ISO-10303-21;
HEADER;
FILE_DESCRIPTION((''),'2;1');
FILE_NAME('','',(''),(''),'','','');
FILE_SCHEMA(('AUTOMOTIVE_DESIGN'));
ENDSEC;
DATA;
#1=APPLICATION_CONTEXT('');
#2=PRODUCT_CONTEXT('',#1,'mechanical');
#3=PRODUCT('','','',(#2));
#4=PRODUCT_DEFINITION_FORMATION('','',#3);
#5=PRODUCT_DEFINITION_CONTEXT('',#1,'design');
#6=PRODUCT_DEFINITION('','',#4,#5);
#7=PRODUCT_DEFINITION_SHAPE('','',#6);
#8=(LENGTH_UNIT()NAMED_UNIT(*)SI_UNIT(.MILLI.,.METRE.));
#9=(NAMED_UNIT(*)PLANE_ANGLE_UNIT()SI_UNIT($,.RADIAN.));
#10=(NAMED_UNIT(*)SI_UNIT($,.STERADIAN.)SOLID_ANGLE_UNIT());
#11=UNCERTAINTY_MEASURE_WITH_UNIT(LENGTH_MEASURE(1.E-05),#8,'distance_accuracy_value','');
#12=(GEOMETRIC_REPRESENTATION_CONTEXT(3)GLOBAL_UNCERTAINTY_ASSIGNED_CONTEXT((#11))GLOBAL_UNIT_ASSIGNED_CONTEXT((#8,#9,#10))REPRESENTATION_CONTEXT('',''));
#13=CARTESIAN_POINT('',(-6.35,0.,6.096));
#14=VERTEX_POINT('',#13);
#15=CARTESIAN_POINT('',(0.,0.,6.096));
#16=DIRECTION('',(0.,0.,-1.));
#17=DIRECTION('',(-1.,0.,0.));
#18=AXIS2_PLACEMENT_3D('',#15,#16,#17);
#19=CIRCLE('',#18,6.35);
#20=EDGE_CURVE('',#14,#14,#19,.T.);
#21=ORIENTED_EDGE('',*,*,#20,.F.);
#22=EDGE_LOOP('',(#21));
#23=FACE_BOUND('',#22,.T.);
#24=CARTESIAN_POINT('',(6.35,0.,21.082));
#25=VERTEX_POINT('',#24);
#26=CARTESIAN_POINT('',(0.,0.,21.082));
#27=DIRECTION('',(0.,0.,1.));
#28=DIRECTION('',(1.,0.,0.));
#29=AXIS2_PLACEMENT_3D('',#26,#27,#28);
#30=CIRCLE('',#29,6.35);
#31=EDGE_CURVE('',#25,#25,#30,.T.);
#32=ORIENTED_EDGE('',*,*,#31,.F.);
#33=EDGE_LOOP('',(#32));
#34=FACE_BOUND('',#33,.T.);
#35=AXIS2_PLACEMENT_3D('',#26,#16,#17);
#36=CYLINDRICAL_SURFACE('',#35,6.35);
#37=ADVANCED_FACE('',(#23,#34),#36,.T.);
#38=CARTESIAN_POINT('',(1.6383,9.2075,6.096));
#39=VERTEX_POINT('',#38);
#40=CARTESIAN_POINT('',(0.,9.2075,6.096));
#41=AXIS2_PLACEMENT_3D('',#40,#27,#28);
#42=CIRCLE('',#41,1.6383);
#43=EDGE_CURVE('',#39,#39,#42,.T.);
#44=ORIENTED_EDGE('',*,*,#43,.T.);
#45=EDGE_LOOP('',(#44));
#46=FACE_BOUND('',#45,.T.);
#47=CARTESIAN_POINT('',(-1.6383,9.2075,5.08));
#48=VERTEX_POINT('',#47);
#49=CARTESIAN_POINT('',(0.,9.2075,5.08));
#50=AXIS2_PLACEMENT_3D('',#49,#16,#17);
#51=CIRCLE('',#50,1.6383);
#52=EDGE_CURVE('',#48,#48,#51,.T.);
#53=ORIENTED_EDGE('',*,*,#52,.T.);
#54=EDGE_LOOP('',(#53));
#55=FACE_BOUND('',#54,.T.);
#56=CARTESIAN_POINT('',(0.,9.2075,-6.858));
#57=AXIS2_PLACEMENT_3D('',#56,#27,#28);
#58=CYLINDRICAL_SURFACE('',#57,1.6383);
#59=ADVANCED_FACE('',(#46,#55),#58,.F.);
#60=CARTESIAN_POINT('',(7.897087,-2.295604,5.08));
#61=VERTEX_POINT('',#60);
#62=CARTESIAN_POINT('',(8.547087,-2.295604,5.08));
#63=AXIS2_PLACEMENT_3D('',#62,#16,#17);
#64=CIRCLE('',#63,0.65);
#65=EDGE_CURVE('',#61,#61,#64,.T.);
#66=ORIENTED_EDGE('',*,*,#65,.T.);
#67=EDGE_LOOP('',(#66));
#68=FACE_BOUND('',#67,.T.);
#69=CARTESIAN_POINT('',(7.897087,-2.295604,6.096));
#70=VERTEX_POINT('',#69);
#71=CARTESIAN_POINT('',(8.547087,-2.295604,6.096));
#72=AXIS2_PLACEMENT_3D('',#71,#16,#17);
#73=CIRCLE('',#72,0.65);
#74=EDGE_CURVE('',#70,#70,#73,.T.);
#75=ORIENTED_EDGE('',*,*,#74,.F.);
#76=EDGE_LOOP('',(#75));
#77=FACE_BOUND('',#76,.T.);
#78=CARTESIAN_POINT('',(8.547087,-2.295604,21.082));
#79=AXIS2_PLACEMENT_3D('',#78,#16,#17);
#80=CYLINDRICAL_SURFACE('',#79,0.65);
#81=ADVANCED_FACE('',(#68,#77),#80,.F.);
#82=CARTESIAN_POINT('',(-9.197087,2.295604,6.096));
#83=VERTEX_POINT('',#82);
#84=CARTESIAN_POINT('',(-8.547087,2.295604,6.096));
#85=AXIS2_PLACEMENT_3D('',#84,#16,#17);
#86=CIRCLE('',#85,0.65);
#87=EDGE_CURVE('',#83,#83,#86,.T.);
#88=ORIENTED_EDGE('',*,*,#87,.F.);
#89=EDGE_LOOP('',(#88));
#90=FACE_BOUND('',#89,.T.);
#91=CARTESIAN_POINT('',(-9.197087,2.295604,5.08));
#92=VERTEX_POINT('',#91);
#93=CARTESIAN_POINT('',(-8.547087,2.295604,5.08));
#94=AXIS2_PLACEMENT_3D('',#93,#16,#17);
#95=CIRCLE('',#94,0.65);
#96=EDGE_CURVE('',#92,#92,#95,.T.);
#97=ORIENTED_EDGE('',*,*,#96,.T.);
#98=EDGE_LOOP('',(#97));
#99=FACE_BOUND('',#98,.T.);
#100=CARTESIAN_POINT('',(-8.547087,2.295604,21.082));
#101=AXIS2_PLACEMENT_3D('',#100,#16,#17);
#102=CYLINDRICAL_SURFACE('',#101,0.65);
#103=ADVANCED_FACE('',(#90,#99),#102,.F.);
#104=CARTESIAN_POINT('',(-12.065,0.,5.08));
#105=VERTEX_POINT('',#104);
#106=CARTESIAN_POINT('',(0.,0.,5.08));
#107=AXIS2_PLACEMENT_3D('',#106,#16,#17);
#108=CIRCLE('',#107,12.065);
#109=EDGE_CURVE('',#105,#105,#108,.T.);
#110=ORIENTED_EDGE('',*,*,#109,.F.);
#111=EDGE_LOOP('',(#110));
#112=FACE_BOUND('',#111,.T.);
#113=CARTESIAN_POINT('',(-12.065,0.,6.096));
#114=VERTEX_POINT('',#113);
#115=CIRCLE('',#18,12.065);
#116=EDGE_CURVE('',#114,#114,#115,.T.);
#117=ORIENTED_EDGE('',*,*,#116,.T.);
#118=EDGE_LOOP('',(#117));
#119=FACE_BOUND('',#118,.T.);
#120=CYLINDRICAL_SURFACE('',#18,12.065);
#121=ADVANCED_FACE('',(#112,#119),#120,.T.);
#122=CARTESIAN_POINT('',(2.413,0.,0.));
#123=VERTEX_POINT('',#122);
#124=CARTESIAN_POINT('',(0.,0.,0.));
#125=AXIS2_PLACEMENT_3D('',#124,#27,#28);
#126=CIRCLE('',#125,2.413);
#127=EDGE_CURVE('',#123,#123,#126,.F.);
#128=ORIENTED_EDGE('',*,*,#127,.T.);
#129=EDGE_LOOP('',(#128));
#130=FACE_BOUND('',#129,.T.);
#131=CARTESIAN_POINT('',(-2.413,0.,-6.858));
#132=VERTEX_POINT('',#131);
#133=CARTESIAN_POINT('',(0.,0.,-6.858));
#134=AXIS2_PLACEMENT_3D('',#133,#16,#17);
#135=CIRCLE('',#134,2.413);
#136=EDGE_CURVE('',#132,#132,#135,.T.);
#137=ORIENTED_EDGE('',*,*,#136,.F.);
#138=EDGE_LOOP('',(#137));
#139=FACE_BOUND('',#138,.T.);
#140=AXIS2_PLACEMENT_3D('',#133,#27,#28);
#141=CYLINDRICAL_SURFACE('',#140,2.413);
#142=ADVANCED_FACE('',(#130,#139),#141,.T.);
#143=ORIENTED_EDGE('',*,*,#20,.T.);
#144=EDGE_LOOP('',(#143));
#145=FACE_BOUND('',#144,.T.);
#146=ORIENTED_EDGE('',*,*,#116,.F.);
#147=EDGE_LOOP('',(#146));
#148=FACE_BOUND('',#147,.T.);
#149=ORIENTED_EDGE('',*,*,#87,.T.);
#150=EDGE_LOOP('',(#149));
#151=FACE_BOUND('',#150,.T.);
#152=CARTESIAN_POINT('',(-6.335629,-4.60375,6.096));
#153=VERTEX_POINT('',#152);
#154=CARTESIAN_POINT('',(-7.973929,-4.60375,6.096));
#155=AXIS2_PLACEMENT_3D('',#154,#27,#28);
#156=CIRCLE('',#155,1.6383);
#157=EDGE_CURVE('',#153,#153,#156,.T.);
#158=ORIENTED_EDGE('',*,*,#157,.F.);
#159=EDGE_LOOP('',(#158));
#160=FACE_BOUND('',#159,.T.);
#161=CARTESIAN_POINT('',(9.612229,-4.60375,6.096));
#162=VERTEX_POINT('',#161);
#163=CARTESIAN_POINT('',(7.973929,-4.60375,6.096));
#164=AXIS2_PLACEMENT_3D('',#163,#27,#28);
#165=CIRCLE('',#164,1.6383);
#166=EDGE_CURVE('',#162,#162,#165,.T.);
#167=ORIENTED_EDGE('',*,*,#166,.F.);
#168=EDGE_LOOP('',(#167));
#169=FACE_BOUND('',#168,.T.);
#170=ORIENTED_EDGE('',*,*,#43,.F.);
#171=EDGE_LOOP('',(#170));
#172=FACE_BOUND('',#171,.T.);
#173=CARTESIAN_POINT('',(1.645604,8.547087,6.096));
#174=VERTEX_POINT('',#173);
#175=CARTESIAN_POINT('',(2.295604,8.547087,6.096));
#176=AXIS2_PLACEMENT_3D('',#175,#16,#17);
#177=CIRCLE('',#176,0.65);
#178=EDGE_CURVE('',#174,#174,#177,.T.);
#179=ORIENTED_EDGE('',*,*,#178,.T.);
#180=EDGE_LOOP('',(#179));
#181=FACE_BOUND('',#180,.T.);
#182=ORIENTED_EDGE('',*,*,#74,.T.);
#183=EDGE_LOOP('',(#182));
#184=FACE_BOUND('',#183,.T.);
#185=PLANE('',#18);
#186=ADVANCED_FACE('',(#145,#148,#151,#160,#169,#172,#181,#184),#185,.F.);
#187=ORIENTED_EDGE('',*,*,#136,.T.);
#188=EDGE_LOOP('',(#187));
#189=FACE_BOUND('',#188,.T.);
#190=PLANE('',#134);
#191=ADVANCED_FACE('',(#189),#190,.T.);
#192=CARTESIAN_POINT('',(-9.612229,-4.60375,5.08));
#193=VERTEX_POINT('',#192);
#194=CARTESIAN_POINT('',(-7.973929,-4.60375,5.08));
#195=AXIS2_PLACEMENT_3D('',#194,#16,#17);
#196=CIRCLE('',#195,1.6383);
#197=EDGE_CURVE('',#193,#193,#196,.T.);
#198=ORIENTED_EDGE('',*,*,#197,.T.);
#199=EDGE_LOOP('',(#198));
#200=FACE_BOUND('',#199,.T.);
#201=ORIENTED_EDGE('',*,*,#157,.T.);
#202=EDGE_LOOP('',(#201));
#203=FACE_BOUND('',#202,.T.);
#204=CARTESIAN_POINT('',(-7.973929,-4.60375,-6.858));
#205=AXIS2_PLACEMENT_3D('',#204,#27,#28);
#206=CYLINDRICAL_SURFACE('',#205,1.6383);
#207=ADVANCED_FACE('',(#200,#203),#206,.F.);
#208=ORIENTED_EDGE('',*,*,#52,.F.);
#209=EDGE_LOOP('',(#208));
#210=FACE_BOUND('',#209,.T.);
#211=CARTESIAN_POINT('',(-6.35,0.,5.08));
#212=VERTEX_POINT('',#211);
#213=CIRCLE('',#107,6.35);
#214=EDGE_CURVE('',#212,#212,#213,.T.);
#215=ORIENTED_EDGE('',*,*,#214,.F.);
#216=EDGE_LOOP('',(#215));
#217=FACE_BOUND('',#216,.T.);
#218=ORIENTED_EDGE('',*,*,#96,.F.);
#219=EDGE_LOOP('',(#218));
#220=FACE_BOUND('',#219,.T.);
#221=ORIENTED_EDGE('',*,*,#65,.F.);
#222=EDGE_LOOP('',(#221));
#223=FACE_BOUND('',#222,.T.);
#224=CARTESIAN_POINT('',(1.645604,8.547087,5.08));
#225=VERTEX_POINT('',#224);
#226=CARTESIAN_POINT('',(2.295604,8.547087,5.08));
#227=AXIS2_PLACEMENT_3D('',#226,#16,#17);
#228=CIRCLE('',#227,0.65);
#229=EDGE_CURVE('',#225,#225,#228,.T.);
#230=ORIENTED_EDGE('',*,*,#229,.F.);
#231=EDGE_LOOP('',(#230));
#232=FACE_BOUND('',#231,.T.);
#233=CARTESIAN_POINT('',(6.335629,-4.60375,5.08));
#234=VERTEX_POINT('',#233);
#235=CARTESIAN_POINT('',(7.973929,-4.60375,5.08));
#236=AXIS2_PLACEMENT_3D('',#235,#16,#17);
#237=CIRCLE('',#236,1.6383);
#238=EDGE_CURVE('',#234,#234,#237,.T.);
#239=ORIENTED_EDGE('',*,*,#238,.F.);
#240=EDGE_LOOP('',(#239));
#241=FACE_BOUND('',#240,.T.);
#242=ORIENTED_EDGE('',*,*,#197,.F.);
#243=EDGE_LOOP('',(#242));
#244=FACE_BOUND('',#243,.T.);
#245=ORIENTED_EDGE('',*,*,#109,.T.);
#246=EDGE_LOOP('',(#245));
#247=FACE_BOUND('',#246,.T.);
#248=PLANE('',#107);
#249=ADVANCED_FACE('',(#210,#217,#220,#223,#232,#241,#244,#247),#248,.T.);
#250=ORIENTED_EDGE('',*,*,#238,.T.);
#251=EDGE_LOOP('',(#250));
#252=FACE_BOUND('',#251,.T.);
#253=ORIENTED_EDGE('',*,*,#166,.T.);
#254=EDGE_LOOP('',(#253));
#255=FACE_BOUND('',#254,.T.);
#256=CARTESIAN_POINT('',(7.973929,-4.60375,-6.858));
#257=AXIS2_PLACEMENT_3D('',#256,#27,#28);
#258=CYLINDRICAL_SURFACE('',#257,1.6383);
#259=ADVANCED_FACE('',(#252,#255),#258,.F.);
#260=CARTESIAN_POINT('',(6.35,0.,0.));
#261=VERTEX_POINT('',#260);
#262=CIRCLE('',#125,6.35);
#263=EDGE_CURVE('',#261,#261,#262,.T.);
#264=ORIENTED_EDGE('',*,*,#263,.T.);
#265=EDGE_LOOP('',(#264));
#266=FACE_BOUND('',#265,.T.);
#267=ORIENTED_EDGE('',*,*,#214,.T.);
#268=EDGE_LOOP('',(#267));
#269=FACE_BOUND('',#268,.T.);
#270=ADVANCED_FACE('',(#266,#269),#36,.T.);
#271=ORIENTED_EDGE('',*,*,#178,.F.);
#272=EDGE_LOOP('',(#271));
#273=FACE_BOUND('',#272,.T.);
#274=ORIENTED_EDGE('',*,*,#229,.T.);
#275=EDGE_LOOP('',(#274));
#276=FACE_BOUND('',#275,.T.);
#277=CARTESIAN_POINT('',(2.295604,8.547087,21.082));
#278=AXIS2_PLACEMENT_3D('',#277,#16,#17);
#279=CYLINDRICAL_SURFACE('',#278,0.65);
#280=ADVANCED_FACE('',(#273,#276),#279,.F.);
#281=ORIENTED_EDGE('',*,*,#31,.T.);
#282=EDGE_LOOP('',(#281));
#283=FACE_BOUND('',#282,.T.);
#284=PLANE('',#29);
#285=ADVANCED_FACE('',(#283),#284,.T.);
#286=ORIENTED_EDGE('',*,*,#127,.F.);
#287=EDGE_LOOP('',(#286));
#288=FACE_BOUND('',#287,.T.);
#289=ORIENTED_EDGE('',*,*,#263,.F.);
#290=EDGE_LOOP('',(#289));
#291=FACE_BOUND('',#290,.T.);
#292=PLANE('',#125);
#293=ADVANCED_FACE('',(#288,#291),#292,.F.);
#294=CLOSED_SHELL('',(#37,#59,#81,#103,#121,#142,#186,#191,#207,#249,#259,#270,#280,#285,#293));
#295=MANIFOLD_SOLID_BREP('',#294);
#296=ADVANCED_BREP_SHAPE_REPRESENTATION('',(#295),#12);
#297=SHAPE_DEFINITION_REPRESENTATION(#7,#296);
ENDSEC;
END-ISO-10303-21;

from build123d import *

# Parameters (mm, degrees)
SKETCH1_R          = 6.35
EXTRUDE1_DEPTH     = 21.082
SKETCH2_R          = 2.413
EXTRUDE2_DEPTH     = 6.858
SKETCH3_R          = 12.065
EXTRUDE3_DEPTH     = 1.016
SKETCH4_R          = 1.6383
CUT_EXTRUDE1_DEPTH = 23.709219405
SKETCH6_R          = 0.65
CUT_EXTRUDE2_DEPTH = 24.392145135


with BuildPart() as part:
    # Sketch1 → Extrude1 (new body)
    with BuildSketch(Plane.XY):
        Circle(SKETCH1_R)
    extrude(amount=EXTRUDE1_DEPTH)

    # Sketch2 → Extrude2 (add)
    with BuildSketch(Plane(origin=(0, 0, 0), x_dir=(-1, 0, 0), z_dir=(0, 0, -1))):
        with Locations(Location((0, 0, 0), (0, 0, 180))):
            Circle(SKETCH2_R)
    extrude(amount=EXTRUDE2_DEPTH)

    # Sketch3 → Extrude3 (add)
    with BuildSketch(Plane(origin=(0, 0, 5.08), x_dir=(-1, 0, 0), z_dir=(0, 0, -1))):
        Circle(SKETCH3_R)
    extrude(amount=-EXTRUDE3_DEPTH)

    # Sketch4 → Cut-Extrude1 (cut, through all)
    with BuildSketch(Plane.XY.offset(6.096)):
        with Locations((0, 9.2075)):
            Circle(SKETCH4_R)
        with Locations((7.973928905, -4.60375)):
            Circle(SKETCH4_R)
        with Locations((-7.973928905, -4.60375)):
            Circle(SKETCH4_R)
    extrude(amount=-CUT_EXTRUDE1_DEPTH, mode=Mode.SUBTRACT)

    # Sketch6 → Cut-Extrude2 (cut, through all)
    with BuildSketch(Plane(origin=(0, 0, 5.08), x_dir=(-1, 0, 0), z_dir=(0, 0, -1))):
        with Locations((-8.547087459, -2.295603618)):
            Circle(SKETCH6_R)
        with Locations((-2.295603618, 8.547087459)):
            Circle(SKETCH6_R)
        with Locations((8.547087459, 2.295603618)):
            Circle(SKETCH6_R)
    extrude(amount=-CUT_EXTRUDE2_DEPTH, mode=Mode.SUBTRACT)


solid = part.part
